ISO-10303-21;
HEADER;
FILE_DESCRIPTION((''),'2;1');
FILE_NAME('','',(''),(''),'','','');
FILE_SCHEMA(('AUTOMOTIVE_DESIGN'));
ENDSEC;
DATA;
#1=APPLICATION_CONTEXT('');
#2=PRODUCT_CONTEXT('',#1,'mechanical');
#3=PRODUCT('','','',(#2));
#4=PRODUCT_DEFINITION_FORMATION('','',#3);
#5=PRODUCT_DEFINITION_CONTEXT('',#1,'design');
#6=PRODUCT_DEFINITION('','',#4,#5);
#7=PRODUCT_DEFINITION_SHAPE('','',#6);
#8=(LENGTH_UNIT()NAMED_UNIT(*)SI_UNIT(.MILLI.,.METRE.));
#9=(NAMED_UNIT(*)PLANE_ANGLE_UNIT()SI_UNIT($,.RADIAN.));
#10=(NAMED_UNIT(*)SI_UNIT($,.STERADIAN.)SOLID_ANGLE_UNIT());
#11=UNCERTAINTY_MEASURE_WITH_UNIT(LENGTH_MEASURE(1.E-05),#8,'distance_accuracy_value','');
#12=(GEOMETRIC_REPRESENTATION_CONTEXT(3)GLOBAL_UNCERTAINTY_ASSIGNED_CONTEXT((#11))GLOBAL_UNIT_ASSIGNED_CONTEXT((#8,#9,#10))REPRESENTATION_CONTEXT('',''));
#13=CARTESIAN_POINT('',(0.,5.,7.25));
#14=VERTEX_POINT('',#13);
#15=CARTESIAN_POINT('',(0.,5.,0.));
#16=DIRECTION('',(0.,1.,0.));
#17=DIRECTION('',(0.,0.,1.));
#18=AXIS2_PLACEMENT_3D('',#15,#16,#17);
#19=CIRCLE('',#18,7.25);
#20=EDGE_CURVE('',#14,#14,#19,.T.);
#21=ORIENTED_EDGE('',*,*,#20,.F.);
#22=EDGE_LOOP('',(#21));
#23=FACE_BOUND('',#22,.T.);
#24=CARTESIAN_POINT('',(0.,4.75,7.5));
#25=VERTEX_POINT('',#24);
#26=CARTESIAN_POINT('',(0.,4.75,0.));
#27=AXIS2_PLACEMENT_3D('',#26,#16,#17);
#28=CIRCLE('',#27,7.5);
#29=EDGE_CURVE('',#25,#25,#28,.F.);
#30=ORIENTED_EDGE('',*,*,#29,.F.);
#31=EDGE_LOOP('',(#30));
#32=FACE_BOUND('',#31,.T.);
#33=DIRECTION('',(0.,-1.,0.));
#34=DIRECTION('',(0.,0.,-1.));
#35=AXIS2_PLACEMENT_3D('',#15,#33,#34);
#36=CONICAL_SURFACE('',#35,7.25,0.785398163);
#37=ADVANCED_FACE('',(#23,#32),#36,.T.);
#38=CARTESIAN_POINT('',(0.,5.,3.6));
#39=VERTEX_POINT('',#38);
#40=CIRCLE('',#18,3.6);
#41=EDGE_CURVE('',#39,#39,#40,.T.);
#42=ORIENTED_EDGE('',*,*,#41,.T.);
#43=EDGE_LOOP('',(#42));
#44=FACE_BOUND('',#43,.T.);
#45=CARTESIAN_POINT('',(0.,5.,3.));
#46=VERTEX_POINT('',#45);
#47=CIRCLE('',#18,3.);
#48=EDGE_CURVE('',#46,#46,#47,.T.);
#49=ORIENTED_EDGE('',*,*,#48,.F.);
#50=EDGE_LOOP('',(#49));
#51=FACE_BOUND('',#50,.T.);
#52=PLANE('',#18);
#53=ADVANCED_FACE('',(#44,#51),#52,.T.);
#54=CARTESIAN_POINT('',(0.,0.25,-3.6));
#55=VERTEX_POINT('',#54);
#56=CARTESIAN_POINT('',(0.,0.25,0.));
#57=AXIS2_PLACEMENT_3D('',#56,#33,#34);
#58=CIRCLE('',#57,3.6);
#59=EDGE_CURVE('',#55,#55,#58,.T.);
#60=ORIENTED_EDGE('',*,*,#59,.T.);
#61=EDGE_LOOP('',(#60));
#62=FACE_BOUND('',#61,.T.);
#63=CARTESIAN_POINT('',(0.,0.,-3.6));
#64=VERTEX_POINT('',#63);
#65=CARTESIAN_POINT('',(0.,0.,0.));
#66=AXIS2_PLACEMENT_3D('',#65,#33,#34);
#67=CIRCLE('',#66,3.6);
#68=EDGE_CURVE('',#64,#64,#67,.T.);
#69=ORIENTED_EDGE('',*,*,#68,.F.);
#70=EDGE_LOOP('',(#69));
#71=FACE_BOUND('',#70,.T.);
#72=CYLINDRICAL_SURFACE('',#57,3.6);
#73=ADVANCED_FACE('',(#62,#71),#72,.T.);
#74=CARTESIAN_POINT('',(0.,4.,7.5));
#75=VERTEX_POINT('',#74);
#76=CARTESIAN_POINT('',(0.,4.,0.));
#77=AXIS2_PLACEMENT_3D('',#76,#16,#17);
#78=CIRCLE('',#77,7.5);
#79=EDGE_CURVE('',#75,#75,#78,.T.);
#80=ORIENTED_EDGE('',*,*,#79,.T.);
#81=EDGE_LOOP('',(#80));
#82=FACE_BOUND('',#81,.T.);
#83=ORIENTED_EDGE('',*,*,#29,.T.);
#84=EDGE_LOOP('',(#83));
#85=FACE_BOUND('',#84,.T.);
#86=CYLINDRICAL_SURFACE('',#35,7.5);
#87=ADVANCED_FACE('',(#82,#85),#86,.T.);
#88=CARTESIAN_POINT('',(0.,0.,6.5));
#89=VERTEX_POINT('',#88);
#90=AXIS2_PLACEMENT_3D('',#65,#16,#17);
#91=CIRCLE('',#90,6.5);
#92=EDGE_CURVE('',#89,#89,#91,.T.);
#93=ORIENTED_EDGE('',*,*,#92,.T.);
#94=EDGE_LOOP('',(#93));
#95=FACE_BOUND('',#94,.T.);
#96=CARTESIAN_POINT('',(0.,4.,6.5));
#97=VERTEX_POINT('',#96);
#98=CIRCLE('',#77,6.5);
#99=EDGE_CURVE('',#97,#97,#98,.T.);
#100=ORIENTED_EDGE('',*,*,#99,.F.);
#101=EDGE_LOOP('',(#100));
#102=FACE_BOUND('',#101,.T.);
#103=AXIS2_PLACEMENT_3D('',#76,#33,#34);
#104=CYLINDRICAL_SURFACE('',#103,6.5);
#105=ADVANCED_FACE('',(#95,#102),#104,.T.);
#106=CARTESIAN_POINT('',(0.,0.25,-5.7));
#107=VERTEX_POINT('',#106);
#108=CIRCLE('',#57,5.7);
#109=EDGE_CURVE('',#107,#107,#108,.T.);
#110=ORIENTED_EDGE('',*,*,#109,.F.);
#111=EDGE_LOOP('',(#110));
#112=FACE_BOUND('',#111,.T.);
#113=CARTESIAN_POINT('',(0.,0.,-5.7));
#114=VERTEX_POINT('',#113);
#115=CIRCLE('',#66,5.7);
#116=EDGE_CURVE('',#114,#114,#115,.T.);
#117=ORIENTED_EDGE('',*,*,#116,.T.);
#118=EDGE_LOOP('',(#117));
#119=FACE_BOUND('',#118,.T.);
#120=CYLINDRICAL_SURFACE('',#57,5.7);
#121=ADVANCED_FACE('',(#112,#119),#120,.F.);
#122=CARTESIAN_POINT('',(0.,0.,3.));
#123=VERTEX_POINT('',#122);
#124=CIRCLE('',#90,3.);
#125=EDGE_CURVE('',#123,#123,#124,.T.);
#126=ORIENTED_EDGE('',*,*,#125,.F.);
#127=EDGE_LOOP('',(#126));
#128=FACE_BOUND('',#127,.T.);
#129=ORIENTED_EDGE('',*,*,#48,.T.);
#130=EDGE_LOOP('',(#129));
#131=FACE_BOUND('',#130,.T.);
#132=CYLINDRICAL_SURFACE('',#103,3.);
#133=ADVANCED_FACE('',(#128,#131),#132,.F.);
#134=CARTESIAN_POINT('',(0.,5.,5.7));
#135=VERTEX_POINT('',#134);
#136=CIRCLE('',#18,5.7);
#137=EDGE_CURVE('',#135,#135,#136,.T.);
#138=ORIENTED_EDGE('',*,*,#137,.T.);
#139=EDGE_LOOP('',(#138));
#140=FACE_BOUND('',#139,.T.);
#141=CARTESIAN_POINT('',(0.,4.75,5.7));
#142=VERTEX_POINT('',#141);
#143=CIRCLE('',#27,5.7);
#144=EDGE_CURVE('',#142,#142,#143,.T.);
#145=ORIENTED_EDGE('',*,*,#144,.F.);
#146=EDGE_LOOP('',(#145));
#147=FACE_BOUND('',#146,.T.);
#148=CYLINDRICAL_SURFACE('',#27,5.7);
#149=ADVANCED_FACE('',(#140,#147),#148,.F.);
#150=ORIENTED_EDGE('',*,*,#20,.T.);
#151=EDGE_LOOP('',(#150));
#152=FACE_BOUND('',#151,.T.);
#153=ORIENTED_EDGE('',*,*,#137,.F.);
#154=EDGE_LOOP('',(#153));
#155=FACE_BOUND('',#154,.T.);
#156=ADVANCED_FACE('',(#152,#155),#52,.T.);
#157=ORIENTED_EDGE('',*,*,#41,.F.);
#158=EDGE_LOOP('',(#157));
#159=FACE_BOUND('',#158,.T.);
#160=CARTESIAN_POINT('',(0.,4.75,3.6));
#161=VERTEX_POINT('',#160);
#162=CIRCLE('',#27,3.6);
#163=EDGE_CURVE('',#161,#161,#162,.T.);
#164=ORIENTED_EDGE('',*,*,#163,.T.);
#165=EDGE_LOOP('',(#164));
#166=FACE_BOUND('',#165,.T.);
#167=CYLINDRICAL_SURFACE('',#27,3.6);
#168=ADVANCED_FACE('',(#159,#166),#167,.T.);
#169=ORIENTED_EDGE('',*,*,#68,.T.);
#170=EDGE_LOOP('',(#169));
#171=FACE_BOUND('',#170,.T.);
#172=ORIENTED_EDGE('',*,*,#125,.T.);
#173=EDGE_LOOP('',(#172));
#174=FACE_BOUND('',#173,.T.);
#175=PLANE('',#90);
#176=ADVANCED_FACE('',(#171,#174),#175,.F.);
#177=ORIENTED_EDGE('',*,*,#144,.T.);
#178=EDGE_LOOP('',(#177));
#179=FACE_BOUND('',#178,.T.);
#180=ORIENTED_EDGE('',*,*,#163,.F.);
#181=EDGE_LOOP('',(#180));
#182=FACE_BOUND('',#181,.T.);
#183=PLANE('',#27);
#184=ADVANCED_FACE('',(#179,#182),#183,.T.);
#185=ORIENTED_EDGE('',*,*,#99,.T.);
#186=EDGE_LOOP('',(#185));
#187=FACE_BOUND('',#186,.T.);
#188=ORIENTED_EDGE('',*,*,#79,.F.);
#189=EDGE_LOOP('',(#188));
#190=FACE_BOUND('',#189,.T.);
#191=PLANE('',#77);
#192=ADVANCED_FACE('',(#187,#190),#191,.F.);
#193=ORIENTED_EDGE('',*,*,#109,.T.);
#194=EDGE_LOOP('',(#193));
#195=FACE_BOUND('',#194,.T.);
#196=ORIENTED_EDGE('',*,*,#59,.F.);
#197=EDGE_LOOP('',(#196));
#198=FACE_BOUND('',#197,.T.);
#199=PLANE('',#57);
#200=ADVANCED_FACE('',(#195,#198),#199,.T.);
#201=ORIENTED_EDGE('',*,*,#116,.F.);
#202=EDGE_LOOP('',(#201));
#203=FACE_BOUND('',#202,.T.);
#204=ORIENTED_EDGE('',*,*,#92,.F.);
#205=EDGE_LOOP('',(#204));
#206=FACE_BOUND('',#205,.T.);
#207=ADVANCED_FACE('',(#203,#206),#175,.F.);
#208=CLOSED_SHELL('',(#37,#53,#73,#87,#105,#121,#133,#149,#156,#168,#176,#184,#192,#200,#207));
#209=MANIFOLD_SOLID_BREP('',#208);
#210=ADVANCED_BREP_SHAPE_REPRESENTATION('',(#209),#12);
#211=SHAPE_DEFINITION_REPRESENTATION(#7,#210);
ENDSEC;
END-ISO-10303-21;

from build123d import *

# Parameters (mm, degrees)
SKETCH1_R           = 6.5
SKETCH1_R_2         = 3
BOSS_EXTRUDE1_DEPTH = 4
SKETCH2_R           = 7.5
SKETCH2_R_2         = 3
BOSS_EXTRUDE2_DEPTH = 1
SKETCH3_R           = 5.7
SKETCH3_R_2         = 3.6
CUT_EXTRUDE1_DEPTH  = 0.25
CUT_EXTRUDE2_START  = -0.25
SKETCH4_R           = 5.7
SKETCH4_R_2         = 3.6
CUT_EXTRUDE2_DEPTH  = 0.25
CHAMFER1_SIZE       = 0.25


with BuildPart() as part:
    # Sketch1 → Boss-Extrude1 (new body)
    with BuildSketch(Plane(origin=(0, 0, 0), x_dir=(1, 0, 0), z_dir=(0, 1, 0))):
        Circle(SKETCH1_R)
        Circle(SKETCH1_R_2, mode=Mode.SUBTRACT)
    extrude(amount=BOSS_EXTRUDE1_DEPTH)

    # Sketch2 → Boss-Extrude2 (add)
    with BuildSketch(Plane(origin=(0, 4, 0), x_dir=(1, 0, 0), z_dir=(0, 1, 0))):
        Circle(SKETCH2_R)
        Circle(SKETCH2_R_2, mode=Mode.SUBTRACT)
    extrude(amount=BOSS_EXTRUDE2_DEPTH)

    # Sketch3 → Cut-Extrude1 (cut)
    with BuildSketch(Plane.XZ):
        Circle(SKETCH3_R)
        Circle(SKETCH3_R_2, mode=Mode.SUBTRACT)
    extrude(amount=-CUT_EXTRUDE1_DEPTH, mode=Mode.SUBTRACT)

    # Sketch4 → Cut-Extrude2 (cut)
    with BuildSketch(Plane(origin=(0, 5, 0), x_dir=(1, 0, 0), z_dir=(0, 1, 0)).offset(CUT_EXTRUDE2_START)):
        Circle(SKETCH4_R)
        Circle(SKETCH4_R_2, mode=Mode.SUBTRACT)
    extrude(amount=CUT_EXTRUDE2_DEPTH, mode=Mode.SUBTRACT)

    # Chamfer1
    chamfer1_edges = [part.edges().sort_by_distance(p)[0] for p in [
        (-7.5, 5, 0),
    ]]
    chamfer(chamfer1_edges, length=CHAMFER1_SIZE)


solid = part.part
